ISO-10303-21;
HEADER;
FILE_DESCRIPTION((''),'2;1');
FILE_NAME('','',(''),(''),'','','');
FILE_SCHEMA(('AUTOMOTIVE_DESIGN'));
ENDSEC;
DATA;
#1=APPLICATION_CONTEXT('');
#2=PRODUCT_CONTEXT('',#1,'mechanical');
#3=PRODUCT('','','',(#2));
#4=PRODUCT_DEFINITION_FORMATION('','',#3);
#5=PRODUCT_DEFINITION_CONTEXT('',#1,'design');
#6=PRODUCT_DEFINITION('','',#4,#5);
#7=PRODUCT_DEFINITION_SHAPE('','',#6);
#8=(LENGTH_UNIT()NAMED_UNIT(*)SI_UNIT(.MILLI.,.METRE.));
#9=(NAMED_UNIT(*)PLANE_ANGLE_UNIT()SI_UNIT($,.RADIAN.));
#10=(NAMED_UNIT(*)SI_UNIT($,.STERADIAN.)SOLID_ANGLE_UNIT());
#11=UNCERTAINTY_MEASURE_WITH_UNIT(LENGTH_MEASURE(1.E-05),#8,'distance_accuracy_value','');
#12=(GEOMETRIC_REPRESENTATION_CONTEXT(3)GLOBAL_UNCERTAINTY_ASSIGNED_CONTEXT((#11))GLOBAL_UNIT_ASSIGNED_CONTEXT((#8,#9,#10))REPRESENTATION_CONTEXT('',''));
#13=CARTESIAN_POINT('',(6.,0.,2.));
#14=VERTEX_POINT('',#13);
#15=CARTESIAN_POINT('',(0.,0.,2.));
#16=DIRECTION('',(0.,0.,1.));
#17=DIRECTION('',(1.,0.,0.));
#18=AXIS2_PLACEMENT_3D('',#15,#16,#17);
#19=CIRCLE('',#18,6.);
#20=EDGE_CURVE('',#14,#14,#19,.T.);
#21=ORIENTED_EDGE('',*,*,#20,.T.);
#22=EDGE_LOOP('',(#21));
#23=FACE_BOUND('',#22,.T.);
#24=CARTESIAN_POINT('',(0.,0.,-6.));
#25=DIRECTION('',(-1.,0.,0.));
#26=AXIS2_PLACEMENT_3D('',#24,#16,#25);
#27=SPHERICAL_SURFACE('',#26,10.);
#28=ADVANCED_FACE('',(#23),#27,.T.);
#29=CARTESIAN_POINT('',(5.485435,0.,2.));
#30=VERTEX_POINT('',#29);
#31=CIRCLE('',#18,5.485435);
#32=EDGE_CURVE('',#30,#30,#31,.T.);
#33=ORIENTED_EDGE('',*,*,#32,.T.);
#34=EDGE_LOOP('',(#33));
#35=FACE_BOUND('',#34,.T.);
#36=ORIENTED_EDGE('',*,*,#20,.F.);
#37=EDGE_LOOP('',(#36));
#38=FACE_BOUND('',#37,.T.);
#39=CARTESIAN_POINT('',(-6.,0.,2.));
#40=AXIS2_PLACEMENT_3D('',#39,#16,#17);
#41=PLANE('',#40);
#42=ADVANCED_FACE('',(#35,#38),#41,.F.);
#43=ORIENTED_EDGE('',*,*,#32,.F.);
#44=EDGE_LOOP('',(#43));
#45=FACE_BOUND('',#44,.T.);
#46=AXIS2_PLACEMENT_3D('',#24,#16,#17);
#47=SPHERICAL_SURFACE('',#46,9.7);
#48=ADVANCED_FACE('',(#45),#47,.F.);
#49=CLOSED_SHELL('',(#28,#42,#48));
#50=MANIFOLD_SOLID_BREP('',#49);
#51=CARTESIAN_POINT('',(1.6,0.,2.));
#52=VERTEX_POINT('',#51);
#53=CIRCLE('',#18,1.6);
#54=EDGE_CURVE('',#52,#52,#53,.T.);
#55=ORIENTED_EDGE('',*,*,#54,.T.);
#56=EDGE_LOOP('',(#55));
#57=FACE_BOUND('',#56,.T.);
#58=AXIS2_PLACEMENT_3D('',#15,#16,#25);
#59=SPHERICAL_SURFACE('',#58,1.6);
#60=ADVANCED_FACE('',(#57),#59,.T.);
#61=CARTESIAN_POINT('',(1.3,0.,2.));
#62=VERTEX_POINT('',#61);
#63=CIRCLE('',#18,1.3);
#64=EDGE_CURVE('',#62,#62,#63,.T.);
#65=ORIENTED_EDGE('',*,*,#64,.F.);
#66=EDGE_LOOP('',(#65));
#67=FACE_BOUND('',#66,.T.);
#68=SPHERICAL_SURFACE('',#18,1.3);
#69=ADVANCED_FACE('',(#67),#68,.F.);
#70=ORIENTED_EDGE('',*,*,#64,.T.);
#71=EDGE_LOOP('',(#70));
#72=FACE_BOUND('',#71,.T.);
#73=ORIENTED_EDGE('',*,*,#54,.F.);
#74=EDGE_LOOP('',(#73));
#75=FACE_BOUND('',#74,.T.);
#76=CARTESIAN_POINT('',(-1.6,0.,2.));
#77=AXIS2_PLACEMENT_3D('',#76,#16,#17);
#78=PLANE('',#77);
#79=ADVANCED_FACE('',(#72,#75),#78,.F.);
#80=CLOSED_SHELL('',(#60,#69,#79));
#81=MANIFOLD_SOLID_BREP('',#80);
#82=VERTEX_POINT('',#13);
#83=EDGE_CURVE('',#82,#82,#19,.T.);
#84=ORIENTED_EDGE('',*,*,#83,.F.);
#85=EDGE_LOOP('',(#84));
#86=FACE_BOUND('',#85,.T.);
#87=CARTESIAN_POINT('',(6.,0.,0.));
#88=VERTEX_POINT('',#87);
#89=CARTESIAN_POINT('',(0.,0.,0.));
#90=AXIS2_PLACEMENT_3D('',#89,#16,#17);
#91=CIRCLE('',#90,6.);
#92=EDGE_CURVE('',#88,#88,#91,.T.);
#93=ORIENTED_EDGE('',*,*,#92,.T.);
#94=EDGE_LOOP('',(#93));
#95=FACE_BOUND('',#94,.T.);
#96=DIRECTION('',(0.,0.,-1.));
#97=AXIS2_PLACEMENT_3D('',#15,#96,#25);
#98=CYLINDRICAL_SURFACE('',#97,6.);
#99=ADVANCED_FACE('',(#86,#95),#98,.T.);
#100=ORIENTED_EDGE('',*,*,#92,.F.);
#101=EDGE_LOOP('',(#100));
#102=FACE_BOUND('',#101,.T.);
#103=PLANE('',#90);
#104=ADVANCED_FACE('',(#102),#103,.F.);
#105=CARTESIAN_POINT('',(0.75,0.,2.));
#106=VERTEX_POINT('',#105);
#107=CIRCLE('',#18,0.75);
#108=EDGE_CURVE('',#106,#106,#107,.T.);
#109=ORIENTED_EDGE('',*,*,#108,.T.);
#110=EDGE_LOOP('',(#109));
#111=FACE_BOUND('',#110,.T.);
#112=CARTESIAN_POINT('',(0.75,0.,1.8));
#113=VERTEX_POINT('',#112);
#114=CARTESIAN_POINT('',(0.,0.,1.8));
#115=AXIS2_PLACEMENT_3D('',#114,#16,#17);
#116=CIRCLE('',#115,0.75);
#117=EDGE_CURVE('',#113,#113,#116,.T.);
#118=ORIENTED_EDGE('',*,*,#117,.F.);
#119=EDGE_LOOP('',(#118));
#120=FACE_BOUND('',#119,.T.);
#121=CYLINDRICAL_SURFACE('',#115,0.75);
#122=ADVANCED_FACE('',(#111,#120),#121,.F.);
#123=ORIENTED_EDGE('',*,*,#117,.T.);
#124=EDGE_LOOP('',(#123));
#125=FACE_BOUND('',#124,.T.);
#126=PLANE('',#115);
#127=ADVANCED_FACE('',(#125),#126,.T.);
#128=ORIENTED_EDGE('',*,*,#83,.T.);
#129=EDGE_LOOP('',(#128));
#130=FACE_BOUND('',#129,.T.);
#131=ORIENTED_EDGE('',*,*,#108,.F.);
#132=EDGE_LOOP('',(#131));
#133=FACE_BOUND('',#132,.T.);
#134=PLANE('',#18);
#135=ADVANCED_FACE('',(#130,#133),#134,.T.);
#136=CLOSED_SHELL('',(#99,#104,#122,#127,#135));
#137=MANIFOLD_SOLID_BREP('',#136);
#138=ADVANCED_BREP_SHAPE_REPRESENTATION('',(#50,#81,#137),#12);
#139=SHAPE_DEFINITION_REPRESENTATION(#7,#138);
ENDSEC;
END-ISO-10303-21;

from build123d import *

# Parameters (mm, degrees)
SKETCH1_R           = 6
BOSS_EXTRUDE1_DEPTH = 2
SKETCH4_R           = 0.75
CUT_EXTRUDE1_DEPTH  = 0.2


with BuildPart() as part:
    # Sketch1 → Boss-Extrude1 (new body)
    with BuildSketch(Plane.XY):
        Circle(SKETCH1_R)
    extrude(amount=BOSS_EXTRUDE1_DEPTH)

    # Sketch4 → Cut-Extrude1 (cut)
    with BuildSketch(Plane.XY.offset(2)):
        Circle(SKETCH4_R)
    extrude(amount=-CUT_EXTRUDE1_DEPTH, mode=Mode.SUBTRACT)


with BuildPart() as body_2:
    # Sketch2 → Revolve1 (revolve)
    with BuildSketch(Plane(origin=(0, 0, 0), x_dir=(1, 0, 0), z_dir=(0, 1, 0))):
        with BuildLine():
            Line((-6, -2), (-5.485435261, -2))
            ThreePointArc((-5.485435261, -2), (-2.871410803, -3.265257687), (0, -3.7))
            Line((0, -3.7), (0, -4))
            ThreePointArc((0, -4), (-3.16227766, -3.486832981), (-6, -2))
        make_face()
    revolve(axis=Axis((0, 0, 0), (0, 0, -1)))


with BuildPart() as body_3:
    # Sketch3 → Revolve2 (revolve)
    with BuildSketch(Plane(origin=(0, 0, 0), x_dir=(1, 0, 0), z_dir=(0, 1, 0))):
        with BuildLine():
            Line((-1.6, -2), (-1.3, -2))
            ThreePointArc((-1.3, -2), (-0.919238816, -2.919238816), (0, -3.3))
            Line((0, -3.3), (0, -3.6))
            ThreePointArc((0, -3.6), (-1.13137085, -3.13137085), (-1.6, -2))
        make_face()
    revolve(axis=Axis((0, 0, 0), (0, 0, -1)))


solid = Compound([part.part, body_2.part, body_3.part])
